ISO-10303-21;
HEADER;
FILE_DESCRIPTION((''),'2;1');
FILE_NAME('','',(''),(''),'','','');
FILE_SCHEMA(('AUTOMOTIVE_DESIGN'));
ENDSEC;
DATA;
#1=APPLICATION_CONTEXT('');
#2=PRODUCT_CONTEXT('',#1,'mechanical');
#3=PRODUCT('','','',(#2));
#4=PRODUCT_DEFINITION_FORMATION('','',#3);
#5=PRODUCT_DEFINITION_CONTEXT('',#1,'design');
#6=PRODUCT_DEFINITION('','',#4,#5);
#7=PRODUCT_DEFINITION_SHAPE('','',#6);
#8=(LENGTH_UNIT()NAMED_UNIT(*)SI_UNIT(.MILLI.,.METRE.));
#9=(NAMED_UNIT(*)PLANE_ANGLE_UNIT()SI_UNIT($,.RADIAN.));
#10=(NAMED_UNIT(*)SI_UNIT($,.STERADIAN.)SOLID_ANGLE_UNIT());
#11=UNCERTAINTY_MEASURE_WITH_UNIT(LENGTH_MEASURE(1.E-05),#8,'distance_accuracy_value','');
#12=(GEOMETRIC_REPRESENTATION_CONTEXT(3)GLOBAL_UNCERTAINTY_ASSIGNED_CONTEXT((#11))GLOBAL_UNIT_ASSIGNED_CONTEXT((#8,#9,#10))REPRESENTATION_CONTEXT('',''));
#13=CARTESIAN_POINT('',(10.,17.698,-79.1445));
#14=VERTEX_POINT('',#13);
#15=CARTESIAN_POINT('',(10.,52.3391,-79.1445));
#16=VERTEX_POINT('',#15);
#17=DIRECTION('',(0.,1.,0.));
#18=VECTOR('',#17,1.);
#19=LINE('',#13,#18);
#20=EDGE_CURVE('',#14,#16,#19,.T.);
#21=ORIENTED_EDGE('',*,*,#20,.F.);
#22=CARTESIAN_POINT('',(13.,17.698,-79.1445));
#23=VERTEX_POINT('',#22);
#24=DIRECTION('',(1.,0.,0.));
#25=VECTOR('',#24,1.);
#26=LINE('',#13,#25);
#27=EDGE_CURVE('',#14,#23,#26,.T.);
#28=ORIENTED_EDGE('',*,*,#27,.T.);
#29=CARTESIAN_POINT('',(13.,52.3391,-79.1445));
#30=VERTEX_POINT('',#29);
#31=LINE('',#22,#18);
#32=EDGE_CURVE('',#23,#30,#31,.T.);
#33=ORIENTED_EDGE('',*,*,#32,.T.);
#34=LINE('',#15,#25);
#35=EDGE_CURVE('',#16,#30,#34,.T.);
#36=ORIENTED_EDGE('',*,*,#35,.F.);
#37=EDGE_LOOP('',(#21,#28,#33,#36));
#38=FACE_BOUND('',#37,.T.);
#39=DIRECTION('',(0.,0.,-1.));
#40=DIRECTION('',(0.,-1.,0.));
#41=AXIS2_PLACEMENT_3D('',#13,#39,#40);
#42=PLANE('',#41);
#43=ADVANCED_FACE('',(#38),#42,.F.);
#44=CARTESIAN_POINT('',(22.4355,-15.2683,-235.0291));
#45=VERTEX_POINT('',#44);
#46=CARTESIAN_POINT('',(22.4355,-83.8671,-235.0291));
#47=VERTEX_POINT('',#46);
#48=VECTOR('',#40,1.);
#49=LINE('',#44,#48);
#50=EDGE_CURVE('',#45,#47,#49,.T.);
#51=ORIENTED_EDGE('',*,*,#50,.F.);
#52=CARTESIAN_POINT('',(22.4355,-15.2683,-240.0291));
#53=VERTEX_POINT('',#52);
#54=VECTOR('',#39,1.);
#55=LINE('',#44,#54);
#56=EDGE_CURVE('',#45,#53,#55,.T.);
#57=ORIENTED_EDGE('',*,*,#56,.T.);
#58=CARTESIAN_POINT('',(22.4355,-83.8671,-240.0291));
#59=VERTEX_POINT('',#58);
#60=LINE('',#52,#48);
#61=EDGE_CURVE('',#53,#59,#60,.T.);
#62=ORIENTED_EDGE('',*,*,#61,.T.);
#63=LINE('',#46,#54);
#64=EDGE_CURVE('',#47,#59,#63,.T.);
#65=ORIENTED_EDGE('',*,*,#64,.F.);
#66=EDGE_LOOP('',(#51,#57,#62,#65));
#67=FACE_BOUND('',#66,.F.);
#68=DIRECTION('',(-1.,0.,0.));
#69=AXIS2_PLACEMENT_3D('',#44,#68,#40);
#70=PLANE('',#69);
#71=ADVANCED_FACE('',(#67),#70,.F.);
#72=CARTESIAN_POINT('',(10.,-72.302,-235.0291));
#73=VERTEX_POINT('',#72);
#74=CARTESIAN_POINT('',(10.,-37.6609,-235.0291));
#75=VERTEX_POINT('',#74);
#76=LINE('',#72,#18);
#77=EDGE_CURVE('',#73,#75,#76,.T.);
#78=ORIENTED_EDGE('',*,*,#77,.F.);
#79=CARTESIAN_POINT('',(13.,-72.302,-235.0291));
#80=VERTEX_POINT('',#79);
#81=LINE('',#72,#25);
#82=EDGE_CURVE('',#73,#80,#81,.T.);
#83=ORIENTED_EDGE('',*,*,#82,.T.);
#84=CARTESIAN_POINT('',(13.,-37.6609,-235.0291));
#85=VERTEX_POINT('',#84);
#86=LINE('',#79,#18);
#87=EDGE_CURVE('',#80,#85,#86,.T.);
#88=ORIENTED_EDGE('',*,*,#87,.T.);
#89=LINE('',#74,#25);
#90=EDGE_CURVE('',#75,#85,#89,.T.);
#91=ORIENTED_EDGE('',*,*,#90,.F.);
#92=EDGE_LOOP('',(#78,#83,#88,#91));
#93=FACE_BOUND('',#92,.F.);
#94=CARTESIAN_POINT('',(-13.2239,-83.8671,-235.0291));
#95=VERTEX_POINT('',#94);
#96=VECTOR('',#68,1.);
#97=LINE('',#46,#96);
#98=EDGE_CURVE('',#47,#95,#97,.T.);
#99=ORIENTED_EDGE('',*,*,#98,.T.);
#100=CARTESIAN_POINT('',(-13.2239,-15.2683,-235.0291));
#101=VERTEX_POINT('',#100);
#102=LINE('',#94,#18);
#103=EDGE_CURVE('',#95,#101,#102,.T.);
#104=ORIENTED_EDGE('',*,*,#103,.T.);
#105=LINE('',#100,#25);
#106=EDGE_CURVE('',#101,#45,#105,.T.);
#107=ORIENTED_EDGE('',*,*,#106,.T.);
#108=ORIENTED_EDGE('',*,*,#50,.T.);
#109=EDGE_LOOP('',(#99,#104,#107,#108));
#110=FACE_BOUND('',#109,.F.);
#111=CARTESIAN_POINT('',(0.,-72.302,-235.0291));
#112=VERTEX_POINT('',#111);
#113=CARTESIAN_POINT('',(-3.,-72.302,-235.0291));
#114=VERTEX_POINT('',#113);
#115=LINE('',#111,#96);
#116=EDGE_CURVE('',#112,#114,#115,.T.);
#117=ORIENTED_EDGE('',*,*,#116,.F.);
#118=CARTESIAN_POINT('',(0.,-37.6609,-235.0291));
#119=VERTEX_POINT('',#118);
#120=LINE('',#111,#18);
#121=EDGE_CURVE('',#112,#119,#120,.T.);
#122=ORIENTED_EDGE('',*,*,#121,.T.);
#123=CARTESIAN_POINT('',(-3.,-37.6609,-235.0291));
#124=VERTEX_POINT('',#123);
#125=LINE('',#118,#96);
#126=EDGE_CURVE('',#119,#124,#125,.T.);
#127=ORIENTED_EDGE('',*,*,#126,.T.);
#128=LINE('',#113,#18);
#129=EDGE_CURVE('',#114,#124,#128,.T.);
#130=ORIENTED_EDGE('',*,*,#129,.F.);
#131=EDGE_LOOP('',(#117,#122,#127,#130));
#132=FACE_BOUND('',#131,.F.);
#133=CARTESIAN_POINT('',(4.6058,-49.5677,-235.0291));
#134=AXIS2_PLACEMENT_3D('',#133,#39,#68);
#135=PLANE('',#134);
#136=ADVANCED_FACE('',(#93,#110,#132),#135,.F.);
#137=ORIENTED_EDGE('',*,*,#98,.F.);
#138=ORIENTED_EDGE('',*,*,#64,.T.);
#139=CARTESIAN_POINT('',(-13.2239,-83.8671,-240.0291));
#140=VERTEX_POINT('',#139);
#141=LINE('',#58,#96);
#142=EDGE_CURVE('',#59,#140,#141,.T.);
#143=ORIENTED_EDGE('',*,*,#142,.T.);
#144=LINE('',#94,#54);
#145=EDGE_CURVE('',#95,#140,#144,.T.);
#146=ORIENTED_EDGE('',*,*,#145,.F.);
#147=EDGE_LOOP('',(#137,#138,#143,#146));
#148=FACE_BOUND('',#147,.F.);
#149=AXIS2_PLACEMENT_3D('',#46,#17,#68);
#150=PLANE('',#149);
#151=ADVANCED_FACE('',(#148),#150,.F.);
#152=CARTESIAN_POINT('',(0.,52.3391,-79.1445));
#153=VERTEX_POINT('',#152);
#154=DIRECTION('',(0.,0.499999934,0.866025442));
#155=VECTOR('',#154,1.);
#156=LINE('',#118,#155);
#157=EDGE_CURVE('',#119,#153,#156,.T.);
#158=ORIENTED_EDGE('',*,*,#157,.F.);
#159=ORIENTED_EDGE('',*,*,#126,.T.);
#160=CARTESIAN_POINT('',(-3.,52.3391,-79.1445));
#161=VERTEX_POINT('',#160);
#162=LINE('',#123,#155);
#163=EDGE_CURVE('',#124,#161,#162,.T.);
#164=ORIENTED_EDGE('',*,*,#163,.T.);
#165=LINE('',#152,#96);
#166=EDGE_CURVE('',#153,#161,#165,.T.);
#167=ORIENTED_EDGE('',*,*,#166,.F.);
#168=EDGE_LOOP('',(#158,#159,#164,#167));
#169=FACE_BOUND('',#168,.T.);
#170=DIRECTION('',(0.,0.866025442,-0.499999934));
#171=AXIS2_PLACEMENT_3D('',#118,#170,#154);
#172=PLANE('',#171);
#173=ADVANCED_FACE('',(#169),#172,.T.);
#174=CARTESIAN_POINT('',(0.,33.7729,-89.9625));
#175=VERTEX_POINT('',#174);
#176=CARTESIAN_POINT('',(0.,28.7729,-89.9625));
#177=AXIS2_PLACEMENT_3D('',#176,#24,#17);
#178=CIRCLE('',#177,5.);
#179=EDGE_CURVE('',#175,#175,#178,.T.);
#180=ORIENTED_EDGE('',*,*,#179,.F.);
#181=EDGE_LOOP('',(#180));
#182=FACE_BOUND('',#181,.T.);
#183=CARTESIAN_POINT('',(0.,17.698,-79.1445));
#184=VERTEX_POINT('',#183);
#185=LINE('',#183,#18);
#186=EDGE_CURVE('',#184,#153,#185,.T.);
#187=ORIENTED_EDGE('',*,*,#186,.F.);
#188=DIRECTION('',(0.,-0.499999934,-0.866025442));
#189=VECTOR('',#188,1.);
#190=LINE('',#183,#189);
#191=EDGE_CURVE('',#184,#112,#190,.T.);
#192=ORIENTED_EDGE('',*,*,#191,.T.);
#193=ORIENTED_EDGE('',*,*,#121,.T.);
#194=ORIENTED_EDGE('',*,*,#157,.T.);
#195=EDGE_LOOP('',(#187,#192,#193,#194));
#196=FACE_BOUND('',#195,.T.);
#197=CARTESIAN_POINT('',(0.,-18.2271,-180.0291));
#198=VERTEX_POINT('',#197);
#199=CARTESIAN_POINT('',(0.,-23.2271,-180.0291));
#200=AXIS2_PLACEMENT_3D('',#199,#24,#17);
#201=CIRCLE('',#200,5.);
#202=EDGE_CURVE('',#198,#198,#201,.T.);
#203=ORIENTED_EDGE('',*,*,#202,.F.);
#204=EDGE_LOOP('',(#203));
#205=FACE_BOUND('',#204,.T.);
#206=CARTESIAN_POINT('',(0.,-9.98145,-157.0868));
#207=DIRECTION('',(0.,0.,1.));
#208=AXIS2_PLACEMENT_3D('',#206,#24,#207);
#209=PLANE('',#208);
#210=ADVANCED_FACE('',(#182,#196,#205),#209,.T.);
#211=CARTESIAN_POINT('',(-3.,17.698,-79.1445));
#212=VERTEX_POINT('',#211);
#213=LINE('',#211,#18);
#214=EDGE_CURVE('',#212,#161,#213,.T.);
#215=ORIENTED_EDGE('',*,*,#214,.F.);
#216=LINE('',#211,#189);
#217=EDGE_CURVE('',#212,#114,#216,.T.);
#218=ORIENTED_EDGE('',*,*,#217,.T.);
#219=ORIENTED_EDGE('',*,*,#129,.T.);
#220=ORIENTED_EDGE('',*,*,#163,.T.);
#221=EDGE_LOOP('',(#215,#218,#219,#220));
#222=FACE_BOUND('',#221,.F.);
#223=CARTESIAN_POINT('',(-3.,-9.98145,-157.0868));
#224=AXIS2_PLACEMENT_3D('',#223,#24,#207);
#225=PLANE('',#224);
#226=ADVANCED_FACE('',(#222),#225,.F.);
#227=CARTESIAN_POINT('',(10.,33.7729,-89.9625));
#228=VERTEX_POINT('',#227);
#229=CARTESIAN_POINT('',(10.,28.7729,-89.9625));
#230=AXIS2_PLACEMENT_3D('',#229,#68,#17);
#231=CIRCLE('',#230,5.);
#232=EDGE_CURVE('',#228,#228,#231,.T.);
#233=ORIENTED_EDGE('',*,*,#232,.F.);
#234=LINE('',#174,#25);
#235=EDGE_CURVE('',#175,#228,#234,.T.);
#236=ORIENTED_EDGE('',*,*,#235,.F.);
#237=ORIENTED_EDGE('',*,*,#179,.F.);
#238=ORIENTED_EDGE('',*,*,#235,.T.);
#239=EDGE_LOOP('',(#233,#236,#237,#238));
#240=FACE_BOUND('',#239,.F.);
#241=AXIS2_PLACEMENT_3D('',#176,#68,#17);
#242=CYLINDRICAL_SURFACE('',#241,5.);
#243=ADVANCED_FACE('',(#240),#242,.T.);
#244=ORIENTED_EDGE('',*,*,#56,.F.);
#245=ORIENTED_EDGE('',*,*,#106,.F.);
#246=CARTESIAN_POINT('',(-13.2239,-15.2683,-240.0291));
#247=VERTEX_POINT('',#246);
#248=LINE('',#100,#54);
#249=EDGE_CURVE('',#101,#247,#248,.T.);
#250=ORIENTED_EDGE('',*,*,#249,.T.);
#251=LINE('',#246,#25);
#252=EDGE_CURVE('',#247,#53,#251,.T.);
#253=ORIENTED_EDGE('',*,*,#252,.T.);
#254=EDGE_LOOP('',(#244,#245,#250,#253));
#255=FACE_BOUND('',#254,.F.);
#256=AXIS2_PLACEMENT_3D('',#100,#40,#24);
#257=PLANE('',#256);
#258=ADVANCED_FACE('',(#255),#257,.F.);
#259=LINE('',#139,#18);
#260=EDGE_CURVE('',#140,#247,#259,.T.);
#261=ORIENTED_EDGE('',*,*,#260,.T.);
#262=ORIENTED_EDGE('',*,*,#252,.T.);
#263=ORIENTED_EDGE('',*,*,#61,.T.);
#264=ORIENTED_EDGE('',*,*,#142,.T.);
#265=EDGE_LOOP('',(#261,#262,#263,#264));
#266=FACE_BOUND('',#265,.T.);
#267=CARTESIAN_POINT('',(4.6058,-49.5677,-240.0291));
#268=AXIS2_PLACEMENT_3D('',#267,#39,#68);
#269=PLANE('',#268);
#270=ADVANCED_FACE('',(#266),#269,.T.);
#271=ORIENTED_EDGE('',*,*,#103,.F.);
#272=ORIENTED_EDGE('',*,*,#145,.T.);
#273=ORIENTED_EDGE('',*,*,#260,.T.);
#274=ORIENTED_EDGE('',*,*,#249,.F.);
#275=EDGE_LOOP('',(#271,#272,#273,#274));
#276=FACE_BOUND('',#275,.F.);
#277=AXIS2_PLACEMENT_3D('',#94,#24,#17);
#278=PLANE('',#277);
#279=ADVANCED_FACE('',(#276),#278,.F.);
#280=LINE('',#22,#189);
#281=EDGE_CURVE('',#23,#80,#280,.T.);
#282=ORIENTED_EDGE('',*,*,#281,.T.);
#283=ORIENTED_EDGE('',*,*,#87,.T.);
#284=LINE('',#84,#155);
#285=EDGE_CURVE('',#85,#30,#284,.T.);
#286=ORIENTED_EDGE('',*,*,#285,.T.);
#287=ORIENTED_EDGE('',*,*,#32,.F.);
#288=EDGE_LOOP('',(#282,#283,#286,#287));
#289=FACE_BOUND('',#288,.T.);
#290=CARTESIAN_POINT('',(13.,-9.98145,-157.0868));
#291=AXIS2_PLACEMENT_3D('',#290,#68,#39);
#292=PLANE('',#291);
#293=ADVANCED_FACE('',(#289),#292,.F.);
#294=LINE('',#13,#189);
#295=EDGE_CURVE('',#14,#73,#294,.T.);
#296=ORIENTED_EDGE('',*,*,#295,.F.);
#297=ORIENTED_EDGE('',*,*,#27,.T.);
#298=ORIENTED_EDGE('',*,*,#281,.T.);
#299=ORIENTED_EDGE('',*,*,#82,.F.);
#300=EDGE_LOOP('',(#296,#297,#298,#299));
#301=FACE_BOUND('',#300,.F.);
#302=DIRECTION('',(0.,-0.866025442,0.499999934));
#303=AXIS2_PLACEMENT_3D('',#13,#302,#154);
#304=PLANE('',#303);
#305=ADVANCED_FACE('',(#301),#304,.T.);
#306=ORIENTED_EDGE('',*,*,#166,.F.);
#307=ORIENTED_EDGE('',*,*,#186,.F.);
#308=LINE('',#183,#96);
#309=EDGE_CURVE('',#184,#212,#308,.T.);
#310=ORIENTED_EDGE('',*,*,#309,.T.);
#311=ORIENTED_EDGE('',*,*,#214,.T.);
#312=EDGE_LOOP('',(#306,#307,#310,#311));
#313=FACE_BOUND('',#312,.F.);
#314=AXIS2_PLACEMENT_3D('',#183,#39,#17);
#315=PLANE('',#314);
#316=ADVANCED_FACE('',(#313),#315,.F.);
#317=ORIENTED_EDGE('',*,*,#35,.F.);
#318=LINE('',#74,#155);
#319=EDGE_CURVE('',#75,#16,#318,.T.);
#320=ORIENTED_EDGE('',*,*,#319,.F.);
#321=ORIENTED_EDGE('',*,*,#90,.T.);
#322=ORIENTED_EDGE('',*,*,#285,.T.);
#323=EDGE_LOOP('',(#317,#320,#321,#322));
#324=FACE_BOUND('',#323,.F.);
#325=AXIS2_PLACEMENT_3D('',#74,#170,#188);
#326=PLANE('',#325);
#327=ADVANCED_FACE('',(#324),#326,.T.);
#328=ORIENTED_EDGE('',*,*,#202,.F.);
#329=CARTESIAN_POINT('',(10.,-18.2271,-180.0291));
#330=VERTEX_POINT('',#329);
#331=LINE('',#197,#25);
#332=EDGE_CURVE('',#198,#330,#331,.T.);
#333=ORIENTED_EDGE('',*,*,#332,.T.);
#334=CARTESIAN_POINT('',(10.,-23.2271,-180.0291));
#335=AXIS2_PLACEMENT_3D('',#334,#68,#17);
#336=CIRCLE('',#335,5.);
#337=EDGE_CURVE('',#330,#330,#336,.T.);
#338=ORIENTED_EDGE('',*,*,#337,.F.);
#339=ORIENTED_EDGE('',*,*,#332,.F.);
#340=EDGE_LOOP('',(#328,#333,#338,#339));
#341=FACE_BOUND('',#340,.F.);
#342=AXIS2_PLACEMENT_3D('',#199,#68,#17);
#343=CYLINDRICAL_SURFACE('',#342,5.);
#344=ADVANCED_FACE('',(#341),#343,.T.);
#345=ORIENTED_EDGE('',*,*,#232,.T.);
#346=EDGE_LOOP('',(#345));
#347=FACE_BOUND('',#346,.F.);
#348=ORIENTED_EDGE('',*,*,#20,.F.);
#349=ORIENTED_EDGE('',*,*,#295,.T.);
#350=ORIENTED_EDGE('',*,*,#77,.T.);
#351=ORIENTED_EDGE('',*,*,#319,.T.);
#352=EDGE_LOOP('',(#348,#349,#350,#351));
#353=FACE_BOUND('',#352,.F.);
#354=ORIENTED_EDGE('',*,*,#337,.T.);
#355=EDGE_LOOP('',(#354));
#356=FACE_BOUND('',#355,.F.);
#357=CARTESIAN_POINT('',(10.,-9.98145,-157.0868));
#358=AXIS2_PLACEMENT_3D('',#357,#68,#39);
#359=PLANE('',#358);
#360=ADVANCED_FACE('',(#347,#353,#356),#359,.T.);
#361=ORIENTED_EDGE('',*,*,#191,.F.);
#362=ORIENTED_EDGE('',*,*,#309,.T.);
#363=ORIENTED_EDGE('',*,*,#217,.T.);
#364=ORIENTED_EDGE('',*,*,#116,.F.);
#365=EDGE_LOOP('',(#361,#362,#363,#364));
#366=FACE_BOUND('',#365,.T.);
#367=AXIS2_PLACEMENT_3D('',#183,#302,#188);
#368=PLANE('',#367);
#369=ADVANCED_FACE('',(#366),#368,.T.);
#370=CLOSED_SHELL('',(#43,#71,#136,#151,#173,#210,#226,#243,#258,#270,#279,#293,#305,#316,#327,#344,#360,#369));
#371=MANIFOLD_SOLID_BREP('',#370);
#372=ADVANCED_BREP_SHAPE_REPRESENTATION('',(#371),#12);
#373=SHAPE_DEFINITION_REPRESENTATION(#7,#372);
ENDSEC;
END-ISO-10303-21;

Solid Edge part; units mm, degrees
sketch "Sketch1" plane through (0, 0, 0) normal (1, 0, 0) x (0, 1, 0)
  line L0 (-37.6609, -235.0291) -> (52.3391, -79.1445)
  line L1 (17.698, -79.1445) -> (52.3391, -79.1445)
  line L2 (17.698, -79.1445) -> (-72.302, -235.0291)
  line L3 (-72.302, -235.0291) -> (-37.6609, -235.0291)
  dimension "D1" = 180
extrude "Protrusion1" add sketch "Sketch1" against normal blind 3
sketch "Sketch2" plane through (0, -21.8205, 20.1807) normal (1, 0, 0) x (0, 1, 0)
  circle A0 centre (50.5934, -110.1432) radius 5
  circle A1 centre (-1.4066, -200.2098) radius 5
  dimension "D1" = 55
  dimension "D2" = 15
  dimension "D3" = 104
  dimension "D4" = 15
extrude "ExtrudedProtrusion_2" add sketch "Sketch2" along normal blind 11
mirror "Mirror1" about plane through (5, -21.8205, 20.1506) normal (1, 0, 0) of "Protrusion1"
sketch "Sketch3" plane through (11.5, -54.9814, -235.0291) normal (0, 0, -1) x (0, 1, 0)
  line L0 (-28.8857, -24.7239) -> (39.7131, -24.7239)
  line L1 (39.7131, -24.7239) -> (39.7131, 10.9355)
  line L2 (39.7131, 10.9355) -> (-28.8857, 10.9355)
  line L3 (-28.8857, 10.9355) -> (-28.8857, -24.7239)
extrude "ExtrudedProtrusion_13" add sketch "Sketch3" along normal blind 5
properties material "Aluminum, 6061-T6"
